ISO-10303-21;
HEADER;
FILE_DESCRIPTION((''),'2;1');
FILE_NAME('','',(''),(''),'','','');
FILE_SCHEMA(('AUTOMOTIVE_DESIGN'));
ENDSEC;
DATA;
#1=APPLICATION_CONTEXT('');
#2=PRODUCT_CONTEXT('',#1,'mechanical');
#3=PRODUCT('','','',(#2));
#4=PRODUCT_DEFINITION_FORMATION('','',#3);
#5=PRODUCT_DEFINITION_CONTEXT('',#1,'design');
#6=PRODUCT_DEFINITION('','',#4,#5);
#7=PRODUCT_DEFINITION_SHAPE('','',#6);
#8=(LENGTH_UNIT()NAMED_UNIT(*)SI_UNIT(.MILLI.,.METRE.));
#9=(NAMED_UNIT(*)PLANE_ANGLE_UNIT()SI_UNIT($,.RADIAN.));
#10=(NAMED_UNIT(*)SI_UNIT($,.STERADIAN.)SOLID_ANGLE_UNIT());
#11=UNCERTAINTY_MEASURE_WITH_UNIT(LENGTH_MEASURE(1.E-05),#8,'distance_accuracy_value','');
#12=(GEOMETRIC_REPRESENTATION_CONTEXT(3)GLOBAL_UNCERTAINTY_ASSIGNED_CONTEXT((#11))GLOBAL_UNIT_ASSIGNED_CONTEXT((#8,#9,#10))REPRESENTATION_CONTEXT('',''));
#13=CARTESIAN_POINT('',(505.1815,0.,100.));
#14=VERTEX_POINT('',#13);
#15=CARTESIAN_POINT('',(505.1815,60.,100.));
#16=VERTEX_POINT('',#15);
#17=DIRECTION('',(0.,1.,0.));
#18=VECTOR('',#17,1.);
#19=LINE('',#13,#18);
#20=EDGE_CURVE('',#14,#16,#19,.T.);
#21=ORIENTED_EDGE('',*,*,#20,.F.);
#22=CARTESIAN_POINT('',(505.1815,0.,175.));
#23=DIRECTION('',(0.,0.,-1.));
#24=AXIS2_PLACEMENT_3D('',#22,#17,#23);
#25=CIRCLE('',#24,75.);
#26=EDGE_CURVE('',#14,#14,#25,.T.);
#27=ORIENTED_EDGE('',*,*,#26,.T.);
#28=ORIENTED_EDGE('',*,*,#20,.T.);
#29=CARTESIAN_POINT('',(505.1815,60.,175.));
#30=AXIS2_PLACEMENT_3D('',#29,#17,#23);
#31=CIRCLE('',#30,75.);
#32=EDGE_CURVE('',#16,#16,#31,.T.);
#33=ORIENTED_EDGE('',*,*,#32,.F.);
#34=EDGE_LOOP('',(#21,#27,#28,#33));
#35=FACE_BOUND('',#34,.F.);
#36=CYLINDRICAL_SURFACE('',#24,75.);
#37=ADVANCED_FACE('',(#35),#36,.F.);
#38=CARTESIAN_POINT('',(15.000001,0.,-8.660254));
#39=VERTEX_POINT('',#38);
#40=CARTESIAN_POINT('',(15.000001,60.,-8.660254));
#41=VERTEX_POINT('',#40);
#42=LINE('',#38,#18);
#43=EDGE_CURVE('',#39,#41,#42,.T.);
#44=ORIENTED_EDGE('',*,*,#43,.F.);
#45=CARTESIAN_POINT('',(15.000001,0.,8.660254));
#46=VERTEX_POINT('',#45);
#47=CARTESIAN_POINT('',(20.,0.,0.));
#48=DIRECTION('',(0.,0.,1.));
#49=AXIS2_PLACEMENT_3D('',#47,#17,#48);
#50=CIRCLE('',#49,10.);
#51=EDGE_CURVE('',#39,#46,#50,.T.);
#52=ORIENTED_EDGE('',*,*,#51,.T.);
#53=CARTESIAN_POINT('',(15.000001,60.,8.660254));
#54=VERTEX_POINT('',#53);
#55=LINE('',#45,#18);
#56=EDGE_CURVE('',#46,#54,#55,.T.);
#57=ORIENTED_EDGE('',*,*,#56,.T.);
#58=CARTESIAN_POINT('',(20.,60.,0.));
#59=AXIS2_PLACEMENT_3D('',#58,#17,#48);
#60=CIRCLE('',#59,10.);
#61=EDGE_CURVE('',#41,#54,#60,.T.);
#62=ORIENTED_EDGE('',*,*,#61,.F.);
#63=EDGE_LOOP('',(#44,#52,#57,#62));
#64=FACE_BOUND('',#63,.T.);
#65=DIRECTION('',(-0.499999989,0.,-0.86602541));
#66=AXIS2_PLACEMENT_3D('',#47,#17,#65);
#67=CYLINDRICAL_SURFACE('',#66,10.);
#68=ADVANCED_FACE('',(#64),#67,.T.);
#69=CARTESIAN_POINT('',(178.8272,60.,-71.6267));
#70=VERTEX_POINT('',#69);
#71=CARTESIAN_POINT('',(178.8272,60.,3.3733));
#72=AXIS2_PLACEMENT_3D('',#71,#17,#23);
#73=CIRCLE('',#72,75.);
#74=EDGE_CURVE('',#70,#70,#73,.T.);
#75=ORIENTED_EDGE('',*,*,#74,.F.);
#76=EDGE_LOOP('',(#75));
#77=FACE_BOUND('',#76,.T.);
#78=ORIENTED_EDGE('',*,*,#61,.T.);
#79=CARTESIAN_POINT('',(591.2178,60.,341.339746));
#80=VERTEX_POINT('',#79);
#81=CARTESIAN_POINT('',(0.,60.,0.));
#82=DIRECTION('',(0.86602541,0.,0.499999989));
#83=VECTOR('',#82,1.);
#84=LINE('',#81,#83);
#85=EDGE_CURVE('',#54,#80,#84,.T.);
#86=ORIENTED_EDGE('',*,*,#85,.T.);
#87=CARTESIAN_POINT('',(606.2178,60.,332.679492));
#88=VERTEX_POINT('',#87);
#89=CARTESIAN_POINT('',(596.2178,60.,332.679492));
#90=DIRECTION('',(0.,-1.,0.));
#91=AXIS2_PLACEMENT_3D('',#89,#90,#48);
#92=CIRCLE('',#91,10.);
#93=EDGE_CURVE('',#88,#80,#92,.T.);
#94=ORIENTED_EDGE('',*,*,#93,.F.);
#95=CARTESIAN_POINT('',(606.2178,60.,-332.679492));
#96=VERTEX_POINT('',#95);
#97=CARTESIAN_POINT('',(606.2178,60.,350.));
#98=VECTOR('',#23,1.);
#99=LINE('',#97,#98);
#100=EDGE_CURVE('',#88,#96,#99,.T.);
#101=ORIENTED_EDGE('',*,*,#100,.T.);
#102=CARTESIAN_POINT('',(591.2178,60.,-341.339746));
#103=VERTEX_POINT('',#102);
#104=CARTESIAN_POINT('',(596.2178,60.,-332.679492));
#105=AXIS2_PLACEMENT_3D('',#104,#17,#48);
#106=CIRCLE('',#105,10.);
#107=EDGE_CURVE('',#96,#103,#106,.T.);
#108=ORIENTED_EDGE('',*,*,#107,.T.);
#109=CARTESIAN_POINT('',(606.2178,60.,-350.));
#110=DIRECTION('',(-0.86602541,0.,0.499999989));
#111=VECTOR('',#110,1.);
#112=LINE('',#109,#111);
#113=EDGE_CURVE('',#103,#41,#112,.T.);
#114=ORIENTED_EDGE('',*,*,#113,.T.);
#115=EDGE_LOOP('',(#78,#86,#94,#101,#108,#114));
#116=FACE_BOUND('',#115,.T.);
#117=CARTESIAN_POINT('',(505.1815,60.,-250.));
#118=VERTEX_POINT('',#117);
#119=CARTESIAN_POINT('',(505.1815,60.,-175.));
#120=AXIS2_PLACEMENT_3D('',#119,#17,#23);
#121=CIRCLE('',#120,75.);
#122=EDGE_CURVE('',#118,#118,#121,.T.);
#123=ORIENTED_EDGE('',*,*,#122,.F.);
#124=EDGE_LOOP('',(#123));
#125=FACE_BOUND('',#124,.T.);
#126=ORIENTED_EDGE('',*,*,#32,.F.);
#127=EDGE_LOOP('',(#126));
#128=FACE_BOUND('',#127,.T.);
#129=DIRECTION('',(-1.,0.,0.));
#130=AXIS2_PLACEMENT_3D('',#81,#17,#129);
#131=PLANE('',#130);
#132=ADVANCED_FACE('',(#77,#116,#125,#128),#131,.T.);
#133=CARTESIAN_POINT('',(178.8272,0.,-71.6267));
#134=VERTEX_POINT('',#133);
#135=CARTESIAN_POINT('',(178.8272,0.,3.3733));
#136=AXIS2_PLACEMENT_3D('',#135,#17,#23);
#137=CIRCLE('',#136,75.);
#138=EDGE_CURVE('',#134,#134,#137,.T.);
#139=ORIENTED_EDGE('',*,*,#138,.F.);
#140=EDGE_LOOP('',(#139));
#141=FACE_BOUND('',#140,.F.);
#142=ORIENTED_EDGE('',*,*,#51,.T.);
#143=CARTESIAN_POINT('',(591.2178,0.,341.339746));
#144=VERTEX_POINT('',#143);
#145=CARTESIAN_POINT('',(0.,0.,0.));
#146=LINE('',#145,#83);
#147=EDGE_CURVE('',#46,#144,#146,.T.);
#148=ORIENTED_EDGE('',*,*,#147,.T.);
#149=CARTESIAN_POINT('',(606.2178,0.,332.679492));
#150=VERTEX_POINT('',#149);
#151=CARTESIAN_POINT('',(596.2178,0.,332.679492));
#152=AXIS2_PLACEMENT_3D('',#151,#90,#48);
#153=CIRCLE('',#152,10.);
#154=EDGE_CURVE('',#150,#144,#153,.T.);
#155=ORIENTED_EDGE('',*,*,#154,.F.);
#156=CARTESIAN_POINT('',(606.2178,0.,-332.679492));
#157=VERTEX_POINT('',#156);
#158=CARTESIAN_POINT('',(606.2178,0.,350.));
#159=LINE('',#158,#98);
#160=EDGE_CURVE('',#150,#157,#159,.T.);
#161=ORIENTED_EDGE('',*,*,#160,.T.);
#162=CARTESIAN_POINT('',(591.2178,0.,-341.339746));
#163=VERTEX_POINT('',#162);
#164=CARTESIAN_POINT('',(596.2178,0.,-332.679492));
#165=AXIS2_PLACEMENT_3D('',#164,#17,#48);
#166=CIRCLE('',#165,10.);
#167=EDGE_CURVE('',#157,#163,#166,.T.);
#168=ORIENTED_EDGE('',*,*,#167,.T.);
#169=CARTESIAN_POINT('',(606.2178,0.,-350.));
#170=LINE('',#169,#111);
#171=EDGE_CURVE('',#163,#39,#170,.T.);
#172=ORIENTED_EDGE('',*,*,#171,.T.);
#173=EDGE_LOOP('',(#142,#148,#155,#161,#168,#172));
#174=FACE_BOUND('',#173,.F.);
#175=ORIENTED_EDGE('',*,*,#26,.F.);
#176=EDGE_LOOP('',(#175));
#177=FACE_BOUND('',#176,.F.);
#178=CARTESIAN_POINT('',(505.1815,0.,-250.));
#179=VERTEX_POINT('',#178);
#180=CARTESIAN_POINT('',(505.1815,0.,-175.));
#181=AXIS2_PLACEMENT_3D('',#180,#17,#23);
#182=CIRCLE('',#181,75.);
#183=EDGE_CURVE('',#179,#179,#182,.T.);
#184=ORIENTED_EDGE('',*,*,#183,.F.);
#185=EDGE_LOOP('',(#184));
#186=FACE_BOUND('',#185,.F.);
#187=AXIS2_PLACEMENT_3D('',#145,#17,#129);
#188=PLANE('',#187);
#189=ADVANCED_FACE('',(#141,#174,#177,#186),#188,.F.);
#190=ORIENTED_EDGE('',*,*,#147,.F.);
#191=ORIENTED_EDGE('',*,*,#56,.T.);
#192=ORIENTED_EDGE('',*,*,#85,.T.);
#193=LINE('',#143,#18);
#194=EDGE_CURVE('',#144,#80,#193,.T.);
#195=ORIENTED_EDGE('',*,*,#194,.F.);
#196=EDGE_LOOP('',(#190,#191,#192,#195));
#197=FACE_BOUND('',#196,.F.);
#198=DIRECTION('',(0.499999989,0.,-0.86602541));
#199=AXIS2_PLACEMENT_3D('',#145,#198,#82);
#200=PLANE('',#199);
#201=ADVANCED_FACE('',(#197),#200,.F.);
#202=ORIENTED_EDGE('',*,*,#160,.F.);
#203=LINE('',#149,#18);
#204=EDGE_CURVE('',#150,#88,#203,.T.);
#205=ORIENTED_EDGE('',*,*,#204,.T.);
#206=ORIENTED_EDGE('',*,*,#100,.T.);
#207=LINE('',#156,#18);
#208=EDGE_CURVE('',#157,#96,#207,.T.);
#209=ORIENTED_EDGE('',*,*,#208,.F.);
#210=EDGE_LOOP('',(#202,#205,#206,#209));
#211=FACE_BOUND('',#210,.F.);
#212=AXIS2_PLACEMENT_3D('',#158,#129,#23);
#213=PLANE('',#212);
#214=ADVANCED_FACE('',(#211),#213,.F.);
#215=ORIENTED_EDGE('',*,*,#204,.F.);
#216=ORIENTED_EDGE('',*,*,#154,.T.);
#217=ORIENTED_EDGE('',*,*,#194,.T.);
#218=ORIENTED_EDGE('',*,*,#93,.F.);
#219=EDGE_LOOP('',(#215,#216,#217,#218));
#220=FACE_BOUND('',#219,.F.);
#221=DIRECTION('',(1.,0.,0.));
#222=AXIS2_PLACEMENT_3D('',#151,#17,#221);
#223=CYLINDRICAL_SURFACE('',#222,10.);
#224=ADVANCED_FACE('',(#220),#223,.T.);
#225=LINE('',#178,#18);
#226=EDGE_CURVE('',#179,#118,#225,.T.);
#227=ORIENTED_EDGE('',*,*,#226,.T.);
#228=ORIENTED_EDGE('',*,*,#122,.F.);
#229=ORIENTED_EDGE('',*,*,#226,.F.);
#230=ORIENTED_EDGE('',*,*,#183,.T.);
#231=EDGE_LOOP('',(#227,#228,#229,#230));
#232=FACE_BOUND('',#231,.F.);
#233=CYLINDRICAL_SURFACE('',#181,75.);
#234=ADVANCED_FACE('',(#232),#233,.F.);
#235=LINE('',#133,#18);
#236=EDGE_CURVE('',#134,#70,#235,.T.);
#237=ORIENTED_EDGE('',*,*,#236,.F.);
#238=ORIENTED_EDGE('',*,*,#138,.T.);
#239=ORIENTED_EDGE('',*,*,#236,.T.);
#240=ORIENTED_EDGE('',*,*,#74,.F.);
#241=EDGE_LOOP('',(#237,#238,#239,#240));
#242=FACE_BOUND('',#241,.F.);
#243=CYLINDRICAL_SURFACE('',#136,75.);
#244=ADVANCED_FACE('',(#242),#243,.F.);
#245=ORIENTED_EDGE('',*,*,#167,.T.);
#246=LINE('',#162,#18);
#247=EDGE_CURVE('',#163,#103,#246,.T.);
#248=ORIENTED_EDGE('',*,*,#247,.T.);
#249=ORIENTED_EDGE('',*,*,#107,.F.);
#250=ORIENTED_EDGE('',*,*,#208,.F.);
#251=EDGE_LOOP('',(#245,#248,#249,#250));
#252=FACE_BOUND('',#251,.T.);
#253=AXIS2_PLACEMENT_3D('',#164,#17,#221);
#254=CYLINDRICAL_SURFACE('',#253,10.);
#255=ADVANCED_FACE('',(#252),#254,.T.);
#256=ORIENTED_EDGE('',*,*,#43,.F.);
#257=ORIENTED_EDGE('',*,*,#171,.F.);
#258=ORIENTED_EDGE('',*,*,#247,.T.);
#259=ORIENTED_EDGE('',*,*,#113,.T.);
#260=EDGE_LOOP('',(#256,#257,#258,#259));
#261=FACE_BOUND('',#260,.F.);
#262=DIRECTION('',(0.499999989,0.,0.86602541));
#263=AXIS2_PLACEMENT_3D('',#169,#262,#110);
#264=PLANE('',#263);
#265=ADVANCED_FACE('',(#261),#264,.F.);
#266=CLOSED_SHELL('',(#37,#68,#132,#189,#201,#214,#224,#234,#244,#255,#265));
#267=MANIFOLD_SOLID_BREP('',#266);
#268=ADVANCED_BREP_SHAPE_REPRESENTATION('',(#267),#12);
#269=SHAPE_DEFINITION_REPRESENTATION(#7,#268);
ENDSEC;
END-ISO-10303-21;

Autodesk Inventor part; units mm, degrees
ref_plane "YZ Plane" through (0, 0, 0) normal (1, 0, 0) x (0, 1, 0)
ref_plane "XZ Plane" through (0, 0, 0) normal (0, 1, 0) x (-1, 0, 0)
ref_plane "XY Plane" through (0, 0, 0) normal (0, 0, 1) x (1, 0, 0)
sketch "Sketch1" plane through (0, 0, 0) normal (0, 1, 0) x (-1, 0, 0)
  line L0 (0.2037, 0) -> (0, 0)
  line L1 (0, 0) -> (-606.2178, 350)
  line L2 (-606.2178, 350) -> (-606.2178, -350)
  line L3 (-606.2178, -350) -> (0, 0)
  point P0 (-178.8272, 3.3733)
  point P1 (-505.1815, 175)
  point P2 (-505.1815, -175)
  dimension "d0" = 700
  dimension "d1" = 700
  dimension "d2" = 700
extrude "Extrusion1" add sketch "Sketch1" along normal blind 60
hole "Hole3" at (505.1815, 0, -175) at (178.8272, 0, 3.3733) at (505.1815, 0, 175) direction (0, 1, 0) diameter 150 end through all
fillet "Fillet1" radius 10 1 edges at (0, 30, 0)
fillet "Fillet2" radius 10 1 edges at (606.2178, 30, 350)
fillet "Fillet3" radius 10 1 edges at (606.2178, 30, -350)
equation "\"d0\" = d1"
equation "\"d1\" = d2"
properties part number "BELLY"
